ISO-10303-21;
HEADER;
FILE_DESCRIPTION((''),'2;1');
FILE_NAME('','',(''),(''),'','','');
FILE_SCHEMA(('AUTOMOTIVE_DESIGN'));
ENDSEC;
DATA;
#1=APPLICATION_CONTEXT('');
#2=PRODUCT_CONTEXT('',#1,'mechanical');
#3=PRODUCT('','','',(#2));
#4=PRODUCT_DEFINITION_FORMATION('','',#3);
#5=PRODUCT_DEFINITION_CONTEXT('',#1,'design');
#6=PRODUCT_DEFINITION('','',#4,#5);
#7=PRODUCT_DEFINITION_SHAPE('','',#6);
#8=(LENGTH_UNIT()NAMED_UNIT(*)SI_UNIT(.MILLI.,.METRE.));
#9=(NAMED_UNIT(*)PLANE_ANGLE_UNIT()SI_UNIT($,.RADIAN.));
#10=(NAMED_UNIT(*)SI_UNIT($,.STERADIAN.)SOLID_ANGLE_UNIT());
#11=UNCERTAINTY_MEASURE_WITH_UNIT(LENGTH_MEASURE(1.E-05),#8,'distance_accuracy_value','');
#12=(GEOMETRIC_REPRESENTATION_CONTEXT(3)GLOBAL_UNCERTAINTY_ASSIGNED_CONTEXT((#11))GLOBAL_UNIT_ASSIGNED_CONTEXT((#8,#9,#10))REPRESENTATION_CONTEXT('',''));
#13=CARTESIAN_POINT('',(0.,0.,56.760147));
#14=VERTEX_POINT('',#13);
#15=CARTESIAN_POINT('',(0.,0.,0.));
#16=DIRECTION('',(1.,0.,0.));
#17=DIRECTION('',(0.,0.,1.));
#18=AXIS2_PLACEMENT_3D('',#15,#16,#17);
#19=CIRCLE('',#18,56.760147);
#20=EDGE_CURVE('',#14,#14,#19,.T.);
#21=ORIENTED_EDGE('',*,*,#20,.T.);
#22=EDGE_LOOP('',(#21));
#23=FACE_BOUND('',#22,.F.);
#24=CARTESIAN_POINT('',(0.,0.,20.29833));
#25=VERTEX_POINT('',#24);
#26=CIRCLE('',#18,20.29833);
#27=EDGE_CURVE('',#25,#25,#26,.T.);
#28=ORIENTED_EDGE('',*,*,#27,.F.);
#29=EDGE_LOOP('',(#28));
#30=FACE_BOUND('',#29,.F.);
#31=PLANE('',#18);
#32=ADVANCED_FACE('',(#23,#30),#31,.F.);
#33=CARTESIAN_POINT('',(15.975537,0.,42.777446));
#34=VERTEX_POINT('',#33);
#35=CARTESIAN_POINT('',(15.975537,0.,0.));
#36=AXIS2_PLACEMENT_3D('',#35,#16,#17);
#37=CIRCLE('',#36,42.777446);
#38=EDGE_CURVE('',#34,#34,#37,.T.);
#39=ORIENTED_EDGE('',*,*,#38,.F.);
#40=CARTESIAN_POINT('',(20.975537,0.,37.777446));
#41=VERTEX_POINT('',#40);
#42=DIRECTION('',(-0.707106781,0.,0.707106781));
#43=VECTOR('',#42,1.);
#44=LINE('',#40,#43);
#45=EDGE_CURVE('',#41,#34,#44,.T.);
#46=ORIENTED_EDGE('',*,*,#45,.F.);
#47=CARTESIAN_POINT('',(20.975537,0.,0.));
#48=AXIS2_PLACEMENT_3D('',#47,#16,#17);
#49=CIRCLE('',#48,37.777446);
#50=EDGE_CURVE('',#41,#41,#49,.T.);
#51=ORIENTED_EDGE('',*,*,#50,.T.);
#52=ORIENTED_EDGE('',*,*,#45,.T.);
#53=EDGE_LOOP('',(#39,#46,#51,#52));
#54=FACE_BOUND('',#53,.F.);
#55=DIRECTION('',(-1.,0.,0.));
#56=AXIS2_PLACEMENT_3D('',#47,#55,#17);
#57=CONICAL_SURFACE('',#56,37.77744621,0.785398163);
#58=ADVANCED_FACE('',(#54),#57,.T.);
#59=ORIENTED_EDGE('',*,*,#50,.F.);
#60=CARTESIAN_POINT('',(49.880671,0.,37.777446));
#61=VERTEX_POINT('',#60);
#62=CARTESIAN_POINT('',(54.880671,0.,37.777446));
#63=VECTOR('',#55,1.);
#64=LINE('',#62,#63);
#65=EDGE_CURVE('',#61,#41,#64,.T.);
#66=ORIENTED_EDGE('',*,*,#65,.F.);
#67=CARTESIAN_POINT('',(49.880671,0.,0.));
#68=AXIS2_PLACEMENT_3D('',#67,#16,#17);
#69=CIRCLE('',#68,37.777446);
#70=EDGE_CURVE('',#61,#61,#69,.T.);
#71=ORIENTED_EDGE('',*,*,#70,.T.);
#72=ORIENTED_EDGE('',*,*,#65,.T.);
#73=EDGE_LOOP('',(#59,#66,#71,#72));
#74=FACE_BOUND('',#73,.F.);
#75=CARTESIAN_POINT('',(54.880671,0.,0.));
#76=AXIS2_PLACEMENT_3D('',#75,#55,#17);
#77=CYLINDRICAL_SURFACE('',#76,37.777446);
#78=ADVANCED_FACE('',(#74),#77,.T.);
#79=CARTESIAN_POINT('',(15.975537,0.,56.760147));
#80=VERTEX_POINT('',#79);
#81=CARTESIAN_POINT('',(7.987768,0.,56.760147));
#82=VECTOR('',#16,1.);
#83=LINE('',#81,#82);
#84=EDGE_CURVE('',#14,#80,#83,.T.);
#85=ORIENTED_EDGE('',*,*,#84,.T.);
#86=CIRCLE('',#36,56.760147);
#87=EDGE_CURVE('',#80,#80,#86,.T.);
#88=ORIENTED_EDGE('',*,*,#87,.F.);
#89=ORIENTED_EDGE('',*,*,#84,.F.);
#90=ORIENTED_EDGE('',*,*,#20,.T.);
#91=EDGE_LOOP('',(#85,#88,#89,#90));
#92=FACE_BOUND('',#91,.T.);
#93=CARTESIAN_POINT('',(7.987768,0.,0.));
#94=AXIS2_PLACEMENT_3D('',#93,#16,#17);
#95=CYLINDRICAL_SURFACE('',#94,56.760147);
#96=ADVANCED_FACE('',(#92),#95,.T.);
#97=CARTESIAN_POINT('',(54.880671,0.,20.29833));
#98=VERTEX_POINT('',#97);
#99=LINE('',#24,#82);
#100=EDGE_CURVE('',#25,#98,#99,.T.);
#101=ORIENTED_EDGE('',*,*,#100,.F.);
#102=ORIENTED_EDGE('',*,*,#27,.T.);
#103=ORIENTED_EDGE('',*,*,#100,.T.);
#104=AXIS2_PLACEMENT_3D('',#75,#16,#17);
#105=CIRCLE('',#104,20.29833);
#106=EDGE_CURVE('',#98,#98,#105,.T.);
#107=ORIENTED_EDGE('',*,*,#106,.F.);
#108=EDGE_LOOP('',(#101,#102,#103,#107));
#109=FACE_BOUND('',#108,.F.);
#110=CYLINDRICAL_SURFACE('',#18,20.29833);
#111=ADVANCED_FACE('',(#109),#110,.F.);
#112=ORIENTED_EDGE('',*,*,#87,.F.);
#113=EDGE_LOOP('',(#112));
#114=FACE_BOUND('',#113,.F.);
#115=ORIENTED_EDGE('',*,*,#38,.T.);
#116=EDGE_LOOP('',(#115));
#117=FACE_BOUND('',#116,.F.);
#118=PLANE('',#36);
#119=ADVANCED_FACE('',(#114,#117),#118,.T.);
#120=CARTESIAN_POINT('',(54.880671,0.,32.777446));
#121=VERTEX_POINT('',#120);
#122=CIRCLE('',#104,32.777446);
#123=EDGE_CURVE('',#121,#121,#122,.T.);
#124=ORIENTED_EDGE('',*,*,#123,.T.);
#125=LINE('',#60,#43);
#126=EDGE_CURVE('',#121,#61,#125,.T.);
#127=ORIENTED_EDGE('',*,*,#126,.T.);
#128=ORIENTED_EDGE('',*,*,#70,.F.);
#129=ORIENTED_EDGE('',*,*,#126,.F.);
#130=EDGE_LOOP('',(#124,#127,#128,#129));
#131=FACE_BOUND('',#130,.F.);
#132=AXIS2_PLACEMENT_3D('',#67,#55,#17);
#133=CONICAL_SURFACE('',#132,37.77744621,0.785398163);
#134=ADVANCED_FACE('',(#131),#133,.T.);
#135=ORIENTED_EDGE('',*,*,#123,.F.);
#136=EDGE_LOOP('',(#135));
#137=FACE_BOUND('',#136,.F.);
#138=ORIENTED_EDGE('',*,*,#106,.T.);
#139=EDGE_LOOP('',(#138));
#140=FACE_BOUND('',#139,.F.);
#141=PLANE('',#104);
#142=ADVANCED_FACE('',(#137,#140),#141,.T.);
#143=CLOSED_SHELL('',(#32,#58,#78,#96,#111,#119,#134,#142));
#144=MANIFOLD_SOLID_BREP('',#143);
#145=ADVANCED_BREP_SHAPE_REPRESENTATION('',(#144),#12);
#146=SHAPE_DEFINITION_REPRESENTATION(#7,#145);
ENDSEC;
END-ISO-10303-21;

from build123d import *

# Parameters (mm, degrees)
F0_W    = 38.9051344246
F0_H    = 17.4791160971
F0_W_2  = 15.9755367786
F0_H_2  = 18.9827010036
F2_SIZE = 5


with BuildPart() as f1:
    # F0 (on Front) → F1 (revolve)
    with BuildSketch(Plane.XZ):
        with Locations((35.4281039909, 29.0378881618)):
            Rectangle(F0_W, F0_H)
        with Locations((7.9877683893, 29.0378881618)):
            Rectangle(F0_W_2, F0_H)
        with Locations((7.9877683893, 47.2687967122)):
            Rectangle(F0_W_2, F0_H_2)
    revolve(axis=Axis((25.3729112446, 0, 0), (1, 0, 0)))

    # F2
    f2_edges = [f1.edges().sort_by_distance(p)[0] for p in [
        (15.975537, 0, -37.777446),
        (54.880671, 0, -37.777446),
    ]]
    chamfer(f2_edges, length=F2_SIZE)


solid = f1.part
